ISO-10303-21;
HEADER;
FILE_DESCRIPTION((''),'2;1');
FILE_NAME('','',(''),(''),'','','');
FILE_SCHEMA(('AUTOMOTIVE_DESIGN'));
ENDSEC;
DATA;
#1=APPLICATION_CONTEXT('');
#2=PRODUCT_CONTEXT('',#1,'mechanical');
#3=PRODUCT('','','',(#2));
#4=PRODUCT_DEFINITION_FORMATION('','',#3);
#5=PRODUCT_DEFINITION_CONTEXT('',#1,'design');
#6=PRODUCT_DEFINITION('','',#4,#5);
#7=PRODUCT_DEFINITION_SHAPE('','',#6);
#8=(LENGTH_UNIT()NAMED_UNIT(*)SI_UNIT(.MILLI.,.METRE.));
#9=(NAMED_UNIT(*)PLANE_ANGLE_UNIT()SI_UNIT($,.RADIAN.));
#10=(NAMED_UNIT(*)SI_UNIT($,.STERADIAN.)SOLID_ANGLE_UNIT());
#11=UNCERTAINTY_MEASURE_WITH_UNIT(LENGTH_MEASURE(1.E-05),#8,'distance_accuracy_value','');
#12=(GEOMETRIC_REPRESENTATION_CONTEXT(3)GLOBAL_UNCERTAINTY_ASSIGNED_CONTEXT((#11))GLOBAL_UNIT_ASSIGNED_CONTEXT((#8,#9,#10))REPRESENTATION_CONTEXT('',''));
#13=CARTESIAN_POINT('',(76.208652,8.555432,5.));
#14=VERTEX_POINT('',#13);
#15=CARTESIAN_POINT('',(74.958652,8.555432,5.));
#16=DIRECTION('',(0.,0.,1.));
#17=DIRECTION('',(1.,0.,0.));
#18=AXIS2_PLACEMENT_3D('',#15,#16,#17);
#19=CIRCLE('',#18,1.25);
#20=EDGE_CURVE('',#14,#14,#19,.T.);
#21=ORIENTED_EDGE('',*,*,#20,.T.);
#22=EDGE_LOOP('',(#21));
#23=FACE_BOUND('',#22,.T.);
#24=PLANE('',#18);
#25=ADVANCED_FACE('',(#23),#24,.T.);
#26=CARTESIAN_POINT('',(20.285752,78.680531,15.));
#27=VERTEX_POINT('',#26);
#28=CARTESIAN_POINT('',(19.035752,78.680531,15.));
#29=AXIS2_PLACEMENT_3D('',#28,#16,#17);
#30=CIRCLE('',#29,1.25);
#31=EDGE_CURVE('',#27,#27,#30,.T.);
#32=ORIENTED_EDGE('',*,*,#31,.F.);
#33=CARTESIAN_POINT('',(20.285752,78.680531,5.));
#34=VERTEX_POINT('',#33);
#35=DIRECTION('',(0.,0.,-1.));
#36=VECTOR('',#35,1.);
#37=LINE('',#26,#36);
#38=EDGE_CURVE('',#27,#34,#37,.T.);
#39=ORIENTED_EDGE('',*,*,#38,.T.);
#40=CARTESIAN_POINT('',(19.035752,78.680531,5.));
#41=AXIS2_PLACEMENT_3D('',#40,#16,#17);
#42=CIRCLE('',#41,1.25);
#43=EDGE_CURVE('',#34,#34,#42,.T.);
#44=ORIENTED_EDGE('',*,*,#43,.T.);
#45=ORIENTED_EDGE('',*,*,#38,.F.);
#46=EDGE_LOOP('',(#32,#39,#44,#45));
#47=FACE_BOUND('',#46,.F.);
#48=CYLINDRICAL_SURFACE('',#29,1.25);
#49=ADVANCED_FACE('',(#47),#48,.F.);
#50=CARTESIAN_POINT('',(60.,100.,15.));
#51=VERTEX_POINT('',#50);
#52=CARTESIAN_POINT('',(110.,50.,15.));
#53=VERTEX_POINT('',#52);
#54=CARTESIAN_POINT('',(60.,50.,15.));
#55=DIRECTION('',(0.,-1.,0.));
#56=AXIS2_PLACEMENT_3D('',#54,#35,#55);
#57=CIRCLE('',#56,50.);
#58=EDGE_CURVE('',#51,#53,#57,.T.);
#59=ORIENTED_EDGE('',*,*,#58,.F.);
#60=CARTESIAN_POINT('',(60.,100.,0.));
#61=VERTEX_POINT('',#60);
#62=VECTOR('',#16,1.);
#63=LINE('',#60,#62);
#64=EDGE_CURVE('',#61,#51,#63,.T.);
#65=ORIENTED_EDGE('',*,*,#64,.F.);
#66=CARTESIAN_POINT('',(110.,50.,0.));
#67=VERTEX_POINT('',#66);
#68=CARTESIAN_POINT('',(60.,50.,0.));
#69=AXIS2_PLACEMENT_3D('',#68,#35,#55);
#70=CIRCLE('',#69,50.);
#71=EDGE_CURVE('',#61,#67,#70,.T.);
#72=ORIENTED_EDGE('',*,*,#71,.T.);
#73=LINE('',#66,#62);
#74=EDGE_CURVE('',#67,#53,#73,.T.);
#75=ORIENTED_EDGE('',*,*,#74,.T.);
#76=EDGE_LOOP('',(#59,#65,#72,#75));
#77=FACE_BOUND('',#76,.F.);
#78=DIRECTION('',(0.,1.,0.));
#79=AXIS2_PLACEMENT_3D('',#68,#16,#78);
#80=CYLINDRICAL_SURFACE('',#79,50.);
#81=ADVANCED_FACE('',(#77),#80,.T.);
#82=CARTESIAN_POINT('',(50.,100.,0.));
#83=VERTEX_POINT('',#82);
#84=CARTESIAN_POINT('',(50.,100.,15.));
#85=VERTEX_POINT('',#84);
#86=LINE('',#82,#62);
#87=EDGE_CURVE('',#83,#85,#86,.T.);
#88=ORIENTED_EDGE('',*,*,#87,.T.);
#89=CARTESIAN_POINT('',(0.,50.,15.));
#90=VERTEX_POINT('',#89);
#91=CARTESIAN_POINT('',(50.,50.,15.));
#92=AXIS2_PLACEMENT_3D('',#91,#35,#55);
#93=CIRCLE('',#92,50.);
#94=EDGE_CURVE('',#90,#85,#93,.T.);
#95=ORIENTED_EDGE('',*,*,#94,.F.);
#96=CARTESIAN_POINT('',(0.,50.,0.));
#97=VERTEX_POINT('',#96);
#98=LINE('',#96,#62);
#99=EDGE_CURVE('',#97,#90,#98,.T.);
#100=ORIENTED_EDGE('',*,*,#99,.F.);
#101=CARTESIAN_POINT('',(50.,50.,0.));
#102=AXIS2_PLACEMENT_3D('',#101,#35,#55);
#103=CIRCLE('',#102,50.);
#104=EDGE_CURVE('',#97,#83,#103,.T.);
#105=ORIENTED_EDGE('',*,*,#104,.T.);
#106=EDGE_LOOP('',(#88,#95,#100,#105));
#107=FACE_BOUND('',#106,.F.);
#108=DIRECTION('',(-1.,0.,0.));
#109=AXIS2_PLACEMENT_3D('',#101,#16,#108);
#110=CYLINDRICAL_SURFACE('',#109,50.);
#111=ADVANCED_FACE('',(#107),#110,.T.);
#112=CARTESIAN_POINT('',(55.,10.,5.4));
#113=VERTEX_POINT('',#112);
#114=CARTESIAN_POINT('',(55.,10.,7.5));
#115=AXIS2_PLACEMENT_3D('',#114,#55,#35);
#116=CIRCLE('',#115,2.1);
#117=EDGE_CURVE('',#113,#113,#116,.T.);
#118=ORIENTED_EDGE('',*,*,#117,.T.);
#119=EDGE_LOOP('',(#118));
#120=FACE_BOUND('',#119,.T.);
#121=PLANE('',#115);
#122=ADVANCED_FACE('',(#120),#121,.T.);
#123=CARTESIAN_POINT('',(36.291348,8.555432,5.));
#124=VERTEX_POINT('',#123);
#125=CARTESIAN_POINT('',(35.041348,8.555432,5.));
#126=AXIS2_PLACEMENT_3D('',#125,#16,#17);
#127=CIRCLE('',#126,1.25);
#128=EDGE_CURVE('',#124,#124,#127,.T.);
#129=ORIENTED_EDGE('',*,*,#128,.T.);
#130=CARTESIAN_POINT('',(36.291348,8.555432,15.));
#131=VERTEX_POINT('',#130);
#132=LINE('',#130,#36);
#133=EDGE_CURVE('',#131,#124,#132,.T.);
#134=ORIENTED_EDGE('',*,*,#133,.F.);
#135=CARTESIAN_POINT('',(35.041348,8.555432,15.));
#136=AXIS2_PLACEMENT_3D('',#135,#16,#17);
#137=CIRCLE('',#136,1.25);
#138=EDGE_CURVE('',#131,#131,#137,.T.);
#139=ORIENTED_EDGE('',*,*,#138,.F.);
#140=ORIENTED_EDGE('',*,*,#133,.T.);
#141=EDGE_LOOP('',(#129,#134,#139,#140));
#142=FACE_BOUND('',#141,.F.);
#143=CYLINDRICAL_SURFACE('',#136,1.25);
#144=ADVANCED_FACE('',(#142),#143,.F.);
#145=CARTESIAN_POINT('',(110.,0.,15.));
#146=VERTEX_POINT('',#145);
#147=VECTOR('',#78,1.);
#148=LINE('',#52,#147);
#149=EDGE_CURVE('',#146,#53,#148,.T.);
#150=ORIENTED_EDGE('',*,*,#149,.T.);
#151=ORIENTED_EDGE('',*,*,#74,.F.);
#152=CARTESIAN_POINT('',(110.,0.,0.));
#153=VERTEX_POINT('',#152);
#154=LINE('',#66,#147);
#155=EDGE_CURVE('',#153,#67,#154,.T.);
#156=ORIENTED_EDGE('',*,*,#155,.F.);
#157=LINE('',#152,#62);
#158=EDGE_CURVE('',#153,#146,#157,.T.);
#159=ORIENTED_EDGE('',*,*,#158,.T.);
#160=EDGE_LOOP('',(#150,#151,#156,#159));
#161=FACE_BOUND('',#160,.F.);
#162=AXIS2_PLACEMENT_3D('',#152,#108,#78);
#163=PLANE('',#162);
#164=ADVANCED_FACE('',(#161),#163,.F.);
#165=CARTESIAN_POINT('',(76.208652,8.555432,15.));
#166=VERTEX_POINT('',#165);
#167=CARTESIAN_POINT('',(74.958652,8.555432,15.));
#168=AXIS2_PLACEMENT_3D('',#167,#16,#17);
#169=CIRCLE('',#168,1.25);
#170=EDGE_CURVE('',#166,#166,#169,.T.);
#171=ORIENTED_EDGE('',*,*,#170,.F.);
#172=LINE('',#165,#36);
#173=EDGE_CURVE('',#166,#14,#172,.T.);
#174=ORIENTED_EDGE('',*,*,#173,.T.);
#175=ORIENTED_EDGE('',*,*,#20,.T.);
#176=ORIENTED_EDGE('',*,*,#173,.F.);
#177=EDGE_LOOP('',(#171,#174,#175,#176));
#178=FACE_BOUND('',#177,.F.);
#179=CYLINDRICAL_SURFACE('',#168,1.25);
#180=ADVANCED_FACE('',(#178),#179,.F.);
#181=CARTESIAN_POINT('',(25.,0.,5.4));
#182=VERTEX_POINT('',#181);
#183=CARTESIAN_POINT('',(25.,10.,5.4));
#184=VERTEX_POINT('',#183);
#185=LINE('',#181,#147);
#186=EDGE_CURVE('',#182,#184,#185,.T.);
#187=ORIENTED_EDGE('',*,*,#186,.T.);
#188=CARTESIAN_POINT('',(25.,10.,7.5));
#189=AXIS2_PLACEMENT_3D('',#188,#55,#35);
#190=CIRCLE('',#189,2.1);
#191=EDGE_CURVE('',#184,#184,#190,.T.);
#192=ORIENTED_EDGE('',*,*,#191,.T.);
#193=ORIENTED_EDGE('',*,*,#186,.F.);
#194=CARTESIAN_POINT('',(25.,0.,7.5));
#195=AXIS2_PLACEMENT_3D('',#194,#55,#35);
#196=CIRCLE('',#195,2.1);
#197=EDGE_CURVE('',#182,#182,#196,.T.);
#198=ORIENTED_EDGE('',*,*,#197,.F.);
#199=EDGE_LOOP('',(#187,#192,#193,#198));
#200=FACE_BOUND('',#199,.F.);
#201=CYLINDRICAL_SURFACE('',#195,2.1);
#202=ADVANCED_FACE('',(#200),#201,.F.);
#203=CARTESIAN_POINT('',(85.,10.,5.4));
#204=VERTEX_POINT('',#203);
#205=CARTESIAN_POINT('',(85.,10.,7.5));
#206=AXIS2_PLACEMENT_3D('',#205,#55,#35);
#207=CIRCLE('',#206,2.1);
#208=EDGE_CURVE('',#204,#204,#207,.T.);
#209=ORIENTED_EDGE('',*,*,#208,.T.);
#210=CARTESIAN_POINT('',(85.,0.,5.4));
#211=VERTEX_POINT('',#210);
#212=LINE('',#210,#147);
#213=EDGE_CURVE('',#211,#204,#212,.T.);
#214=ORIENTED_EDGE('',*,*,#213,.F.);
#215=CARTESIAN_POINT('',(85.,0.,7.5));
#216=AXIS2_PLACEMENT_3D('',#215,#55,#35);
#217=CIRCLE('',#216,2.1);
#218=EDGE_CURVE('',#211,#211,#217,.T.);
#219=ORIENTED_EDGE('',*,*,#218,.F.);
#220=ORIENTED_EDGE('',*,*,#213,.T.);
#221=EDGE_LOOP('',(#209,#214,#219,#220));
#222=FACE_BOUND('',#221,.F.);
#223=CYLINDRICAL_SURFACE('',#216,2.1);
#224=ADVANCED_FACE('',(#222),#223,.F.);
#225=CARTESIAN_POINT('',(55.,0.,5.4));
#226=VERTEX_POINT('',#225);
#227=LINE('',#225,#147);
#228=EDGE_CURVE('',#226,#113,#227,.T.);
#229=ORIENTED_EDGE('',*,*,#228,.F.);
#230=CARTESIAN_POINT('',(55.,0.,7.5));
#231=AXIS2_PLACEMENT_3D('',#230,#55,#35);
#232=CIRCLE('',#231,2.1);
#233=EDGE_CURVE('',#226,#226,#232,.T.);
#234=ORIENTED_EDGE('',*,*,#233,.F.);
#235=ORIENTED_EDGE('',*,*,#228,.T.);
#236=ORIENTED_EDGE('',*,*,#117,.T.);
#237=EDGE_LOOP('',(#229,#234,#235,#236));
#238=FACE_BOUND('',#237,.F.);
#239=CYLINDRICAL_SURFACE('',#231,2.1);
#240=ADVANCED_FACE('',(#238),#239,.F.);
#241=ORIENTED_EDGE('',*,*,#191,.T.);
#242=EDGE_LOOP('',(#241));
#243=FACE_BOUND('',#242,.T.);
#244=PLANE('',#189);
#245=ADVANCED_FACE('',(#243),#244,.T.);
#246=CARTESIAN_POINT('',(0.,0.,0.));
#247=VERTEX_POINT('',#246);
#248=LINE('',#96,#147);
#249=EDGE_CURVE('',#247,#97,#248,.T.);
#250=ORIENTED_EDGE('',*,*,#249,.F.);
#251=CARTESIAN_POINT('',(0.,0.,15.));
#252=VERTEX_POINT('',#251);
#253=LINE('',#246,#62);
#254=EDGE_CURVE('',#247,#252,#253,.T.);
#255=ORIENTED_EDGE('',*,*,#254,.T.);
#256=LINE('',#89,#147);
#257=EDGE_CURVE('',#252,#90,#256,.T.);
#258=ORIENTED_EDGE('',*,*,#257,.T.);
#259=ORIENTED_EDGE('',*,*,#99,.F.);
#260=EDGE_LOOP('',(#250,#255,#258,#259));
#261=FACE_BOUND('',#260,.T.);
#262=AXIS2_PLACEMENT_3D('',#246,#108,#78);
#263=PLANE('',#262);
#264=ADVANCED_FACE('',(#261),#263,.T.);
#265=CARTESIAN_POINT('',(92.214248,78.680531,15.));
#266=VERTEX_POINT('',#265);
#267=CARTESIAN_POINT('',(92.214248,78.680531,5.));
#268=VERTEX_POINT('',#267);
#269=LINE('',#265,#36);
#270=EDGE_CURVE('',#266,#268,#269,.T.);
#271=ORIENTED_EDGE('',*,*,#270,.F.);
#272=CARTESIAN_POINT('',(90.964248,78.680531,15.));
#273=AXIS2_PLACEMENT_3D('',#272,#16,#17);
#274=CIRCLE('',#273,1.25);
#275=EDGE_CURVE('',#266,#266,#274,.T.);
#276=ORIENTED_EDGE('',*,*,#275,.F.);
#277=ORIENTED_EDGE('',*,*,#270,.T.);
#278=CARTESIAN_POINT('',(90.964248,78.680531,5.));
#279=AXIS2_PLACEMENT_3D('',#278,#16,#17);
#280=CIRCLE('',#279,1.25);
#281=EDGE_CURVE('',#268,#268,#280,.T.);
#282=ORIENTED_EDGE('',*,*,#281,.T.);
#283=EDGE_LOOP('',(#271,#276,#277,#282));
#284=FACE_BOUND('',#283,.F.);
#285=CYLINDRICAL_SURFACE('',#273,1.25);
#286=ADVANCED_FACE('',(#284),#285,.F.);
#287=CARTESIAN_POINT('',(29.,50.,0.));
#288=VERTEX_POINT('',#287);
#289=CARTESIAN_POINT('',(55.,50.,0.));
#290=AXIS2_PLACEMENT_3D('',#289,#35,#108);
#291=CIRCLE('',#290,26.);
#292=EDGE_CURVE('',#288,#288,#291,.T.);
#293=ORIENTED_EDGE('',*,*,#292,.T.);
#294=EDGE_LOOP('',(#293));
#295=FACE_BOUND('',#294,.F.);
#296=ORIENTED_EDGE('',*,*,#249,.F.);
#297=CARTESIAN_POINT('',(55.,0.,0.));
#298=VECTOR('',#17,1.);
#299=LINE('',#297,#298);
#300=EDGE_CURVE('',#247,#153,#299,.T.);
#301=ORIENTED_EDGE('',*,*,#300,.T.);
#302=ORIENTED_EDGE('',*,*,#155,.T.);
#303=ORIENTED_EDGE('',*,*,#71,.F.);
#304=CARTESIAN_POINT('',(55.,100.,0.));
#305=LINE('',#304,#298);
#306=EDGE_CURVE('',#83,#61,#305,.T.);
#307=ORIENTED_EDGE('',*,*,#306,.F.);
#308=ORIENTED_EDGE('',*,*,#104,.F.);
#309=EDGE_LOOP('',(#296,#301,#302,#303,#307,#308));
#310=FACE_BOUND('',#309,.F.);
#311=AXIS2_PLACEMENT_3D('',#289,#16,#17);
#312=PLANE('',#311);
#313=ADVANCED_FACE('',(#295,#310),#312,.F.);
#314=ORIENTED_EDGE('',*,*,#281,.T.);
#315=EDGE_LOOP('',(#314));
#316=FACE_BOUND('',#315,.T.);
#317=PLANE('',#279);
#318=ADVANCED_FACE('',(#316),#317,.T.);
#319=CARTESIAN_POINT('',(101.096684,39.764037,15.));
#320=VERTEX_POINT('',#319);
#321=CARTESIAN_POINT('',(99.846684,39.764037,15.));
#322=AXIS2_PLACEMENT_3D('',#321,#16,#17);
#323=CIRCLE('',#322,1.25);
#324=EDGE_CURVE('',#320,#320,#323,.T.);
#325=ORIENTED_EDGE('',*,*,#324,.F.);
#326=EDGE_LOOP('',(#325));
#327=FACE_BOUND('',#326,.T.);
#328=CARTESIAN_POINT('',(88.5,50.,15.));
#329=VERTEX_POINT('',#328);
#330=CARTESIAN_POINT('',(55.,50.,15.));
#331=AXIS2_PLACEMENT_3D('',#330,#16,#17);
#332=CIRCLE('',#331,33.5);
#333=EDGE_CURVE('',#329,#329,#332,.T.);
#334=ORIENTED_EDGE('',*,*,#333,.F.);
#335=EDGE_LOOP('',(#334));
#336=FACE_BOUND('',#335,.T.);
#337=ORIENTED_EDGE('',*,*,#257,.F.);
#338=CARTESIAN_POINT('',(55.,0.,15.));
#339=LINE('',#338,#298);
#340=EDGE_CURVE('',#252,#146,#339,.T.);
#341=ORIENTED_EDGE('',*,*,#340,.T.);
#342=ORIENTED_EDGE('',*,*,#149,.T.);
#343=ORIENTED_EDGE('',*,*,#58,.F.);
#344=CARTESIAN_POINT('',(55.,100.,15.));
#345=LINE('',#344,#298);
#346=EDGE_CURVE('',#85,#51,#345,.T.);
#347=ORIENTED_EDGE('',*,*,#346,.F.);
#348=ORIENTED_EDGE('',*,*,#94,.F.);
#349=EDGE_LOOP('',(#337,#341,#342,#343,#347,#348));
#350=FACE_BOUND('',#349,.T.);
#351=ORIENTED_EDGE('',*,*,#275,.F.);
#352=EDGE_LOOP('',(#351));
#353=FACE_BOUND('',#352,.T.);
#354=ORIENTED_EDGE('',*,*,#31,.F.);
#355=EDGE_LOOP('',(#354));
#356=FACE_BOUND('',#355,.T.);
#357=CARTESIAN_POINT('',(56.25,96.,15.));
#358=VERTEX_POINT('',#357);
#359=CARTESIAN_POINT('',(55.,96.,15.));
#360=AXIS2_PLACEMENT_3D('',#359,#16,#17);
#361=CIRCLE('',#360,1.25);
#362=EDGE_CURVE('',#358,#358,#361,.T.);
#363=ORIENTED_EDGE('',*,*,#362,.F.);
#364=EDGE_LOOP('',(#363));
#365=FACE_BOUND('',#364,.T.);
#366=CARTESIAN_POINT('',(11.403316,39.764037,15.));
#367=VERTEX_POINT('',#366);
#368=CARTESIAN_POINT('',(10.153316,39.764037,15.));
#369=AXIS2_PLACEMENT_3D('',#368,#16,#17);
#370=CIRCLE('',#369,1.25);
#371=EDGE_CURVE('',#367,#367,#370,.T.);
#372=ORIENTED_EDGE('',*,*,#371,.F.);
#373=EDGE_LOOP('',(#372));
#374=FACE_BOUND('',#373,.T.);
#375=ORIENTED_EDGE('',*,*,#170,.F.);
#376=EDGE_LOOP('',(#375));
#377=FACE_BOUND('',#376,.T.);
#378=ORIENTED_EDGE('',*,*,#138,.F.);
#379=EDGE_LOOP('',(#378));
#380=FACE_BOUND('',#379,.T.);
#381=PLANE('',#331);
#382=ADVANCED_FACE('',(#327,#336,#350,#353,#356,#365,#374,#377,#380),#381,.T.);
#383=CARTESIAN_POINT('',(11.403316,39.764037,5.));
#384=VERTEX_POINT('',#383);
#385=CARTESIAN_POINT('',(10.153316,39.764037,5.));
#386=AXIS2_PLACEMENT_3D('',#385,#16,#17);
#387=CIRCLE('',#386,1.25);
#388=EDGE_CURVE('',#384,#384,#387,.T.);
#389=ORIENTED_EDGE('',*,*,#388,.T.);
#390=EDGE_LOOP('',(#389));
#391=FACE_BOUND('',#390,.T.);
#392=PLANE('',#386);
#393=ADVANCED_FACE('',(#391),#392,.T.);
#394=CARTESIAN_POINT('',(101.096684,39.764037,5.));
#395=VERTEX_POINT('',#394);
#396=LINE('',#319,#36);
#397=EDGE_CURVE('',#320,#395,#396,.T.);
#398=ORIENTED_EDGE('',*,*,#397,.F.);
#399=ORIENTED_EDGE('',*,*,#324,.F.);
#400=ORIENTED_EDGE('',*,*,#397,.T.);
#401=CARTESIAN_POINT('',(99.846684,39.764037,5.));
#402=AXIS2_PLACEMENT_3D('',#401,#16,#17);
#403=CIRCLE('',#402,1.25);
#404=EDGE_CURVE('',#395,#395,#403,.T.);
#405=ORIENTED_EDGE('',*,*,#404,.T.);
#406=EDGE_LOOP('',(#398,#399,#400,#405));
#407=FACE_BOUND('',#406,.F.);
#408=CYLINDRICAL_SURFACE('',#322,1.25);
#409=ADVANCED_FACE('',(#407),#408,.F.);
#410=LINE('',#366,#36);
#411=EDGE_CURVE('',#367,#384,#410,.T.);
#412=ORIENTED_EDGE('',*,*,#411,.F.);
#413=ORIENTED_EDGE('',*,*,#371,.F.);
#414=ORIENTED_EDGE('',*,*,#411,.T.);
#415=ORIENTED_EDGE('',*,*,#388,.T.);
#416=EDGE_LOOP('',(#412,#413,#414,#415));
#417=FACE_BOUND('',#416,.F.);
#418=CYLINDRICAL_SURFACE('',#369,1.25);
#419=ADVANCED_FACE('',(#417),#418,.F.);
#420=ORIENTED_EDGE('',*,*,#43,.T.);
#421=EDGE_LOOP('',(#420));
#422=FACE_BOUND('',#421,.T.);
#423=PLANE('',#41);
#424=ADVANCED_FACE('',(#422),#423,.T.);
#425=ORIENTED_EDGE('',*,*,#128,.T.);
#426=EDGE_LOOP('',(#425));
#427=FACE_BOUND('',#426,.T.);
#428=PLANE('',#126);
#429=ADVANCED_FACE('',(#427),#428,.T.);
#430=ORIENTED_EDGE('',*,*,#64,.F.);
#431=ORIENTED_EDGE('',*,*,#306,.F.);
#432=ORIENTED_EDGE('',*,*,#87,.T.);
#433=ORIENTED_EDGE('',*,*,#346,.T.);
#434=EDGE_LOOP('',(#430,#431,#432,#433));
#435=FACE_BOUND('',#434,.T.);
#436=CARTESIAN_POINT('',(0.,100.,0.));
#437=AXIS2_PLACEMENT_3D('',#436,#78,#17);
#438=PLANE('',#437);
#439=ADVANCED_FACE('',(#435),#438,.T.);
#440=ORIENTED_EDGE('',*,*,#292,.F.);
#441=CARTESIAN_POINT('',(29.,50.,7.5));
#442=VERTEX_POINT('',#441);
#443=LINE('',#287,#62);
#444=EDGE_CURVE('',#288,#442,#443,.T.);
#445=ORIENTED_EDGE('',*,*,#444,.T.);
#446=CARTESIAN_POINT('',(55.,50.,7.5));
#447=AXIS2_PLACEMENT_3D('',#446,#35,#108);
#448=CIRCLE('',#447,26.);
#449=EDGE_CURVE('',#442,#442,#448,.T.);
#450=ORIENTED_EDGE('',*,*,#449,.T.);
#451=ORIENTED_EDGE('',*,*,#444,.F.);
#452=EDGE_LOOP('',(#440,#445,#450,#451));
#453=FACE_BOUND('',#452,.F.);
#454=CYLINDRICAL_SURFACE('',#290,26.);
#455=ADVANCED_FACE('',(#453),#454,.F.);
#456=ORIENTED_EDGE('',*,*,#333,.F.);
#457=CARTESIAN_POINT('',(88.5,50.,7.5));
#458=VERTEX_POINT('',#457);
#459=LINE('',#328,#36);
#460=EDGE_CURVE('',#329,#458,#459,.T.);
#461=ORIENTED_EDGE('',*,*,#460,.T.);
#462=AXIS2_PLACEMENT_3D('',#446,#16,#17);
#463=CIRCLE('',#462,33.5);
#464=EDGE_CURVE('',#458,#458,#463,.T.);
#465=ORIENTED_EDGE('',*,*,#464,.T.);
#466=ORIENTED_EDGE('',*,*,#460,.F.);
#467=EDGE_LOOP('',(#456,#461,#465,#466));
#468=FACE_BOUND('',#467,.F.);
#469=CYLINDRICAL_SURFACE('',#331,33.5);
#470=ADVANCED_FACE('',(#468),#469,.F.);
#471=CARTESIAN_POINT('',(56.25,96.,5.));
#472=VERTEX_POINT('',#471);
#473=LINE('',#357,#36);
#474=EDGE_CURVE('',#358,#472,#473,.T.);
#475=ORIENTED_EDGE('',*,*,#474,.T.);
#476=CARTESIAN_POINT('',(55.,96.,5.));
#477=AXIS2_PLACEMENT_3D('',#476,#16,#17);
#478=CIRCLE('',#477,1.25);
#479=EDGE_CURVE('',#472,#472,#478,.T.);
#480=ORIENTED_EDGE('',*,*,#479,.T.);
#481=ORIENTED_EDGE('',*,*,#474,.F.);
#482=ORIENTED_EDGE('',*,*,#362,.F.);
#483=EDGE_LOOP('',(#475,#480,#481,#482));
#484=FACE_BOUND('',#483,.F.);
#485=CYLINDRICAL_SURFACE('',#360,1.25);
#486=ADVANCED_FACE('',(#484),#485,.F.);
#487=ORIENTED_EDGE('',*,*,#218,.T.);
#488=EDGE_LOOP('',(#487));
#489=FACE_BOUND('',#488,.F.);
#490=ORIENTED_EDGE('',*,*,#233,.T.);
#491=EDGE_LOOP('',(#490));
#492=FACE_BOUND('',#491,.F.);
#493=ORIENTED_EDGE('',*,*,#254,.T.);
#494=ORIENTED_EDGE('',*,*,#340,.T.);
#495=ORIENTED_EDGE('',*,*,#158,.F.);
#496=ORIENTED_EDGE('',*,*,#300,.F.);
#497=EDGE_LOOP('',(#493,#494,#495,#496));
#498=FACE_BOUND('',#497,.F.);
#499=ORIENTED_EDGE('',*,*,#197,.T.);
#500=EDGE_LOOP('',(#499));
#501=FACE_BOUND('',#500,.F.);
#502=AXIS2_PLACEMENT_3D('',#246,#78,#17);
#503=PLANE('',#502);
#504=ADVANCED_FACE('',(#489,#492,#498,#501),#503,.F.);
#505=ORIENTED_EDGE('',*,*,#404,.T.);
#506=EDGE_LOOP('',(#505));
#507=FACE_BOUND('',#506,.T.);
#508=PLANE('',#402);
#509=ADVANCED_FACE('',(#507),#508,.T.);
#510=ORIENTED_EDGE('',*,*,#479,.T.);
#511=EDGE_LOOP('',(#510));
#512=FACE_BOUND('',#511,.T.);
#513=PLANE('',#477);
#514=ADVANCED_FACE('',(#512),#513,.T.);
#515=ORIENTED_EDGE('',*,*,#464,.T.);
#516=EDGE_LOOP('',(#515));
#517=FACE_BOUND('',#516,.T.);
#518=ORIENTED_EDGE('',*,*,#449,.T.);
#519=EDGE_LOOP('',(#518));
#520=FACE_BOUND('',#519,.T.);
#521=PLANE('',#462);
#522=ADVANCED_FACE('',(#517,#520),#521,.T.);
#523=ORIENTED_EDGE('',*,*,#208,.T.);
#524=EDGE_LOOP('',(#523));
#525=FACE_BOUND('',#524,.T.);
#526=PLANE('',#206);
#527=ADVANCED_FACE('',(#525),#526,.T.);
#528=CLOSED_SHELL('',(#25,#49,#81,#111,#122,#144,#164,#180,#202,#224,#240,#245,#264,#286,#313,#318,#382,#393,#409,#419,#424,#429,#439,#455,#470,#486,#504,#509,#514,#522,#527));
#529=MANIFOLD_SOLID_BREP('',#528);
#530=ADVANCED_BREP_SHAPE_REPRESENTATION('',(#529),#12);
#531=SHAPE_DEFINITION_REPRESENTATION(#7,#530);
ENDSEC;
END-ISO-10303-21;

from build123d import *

# Parameters (mm, degrees)
SKIZZE1_W                       = 110
SKIZZE1_H                       = 100
AUFSATZ_LINEAR_AUSTRAGEN1_DEPTH = 15
SKIZZE2_R                       = 33.5
SCHNITT_LINEAR_AUSTRAGEN1_DEPTH = 7.5
SKIZZE3_R                       = 26
SCHNITT_LINEAR_AUSTRAGEN2_DEPTH = 7.5
SKIZZE4_R                       = 2.1
SCHNITT_LINEAR_AUSTRAGEN3_DEPTH = 10
SKIZZE5_R                       = 1.25
SCHNITT_LINEAR_AUSTRAGEN5_DEPTH = 10
VERRUNDUNG1_R                   = 50


with BuildPart() as part:
    # Skizze1 → Aufsatz-Linear austragen1 (new body)
    with BuildSketch(Plane.XY):
        with Locations((55, 50)):
            Rectangle(SKIZZE1_W, SKIZZE1_H)
    extrude(amount=AUFSATZ_LINEAR_AUSTRAGEN1_DEPTH)

    # Skizze2 → Schnitt-Linear austragen1 (cut)
    with BuildSketch(Plane.XY.offset(15)):
        with Locations((55, 50)):
            Circle(SKIZZE2_R)
    extrude(amount=-SCHNITT_LINEAR_AUSTRAGEN1_DEPTH, mode=Mode.SUBTRACT)

    # Skizze3 → Schnitt-Linear austragen2 (cut)
    with BuildSketch(Plane(origin=(0, 0, 0), x_dir=(-1, 0, 0), z_dir=(0, 0, -1))):
        with Locations((-55, 50)):
            Circle(SKIZZE3_R)
    extrude(amount=-SCHNITT_LINEAR_AUSTRAGEN2_DEPTH, mode=Mode.SUBTRACT)

    # Skizze4 → Schnitt-Linear austragen3 (cut)
    with BuildSketch(Plane.XZ):
        with Locations(Location((25, 7.5, 0), (0, 0, 270))):
            Circle(SKIZZE4_R)
        with Locations(Location((85, 7.5, 0), (0, 0, 270))):
            Circle(SKIZZE4_R)
        with Locations(Location((55, 7.5, 0), (0, 0, 270))):
            Circle(SKIZZE4_R)
    extrude(amount=-SCHNITT_LINEAR_AUSTRAGEN3_DEPTH, mode=Mode.SUBTRACT)

    # Skizze5 → Schnitt-Linear austragen5 (cut)
    with BuildSketch(Plane.XY.offset(15)):
        with Locations((55, 96)):
            Circle(SKIZZE5_R)
        with Locations((90.964248194, 78.680530886)):
            Circle(SKIZZE5_R)
        with Locations((99.84668396, 39.764037038)):
            Circle(SKIZZE5_R)
        with Locations((74.958651999, 8.555432076)):
            Circle(SKIZZE5_R)
        with Locations((35.041348001, 8.555432076)):
            Circle(SKIZZE5_R)
        with Locations((10.15331604, 39.764037038)):
            Circle(SKIZZE5_R)
        with Locations((19.035751806, 78.680530886)):
            Circle(SKIZZE5_R)
    extrude(amount=-SCHNITT_LINEAR_AUSTRAGEN5_DEPTH, mode=Mode.SUBTRACT)

    # Verrundung1
    verrundung1_edges = [part.edges().sort_by_distance(p)[0] for p in [
        (0, 100, 7.5),
        (110, 100, 7.5),
    ]]
    fillet(verrundung1_edges, radius=VERRUNDUNG1_R)


solid = part.part
